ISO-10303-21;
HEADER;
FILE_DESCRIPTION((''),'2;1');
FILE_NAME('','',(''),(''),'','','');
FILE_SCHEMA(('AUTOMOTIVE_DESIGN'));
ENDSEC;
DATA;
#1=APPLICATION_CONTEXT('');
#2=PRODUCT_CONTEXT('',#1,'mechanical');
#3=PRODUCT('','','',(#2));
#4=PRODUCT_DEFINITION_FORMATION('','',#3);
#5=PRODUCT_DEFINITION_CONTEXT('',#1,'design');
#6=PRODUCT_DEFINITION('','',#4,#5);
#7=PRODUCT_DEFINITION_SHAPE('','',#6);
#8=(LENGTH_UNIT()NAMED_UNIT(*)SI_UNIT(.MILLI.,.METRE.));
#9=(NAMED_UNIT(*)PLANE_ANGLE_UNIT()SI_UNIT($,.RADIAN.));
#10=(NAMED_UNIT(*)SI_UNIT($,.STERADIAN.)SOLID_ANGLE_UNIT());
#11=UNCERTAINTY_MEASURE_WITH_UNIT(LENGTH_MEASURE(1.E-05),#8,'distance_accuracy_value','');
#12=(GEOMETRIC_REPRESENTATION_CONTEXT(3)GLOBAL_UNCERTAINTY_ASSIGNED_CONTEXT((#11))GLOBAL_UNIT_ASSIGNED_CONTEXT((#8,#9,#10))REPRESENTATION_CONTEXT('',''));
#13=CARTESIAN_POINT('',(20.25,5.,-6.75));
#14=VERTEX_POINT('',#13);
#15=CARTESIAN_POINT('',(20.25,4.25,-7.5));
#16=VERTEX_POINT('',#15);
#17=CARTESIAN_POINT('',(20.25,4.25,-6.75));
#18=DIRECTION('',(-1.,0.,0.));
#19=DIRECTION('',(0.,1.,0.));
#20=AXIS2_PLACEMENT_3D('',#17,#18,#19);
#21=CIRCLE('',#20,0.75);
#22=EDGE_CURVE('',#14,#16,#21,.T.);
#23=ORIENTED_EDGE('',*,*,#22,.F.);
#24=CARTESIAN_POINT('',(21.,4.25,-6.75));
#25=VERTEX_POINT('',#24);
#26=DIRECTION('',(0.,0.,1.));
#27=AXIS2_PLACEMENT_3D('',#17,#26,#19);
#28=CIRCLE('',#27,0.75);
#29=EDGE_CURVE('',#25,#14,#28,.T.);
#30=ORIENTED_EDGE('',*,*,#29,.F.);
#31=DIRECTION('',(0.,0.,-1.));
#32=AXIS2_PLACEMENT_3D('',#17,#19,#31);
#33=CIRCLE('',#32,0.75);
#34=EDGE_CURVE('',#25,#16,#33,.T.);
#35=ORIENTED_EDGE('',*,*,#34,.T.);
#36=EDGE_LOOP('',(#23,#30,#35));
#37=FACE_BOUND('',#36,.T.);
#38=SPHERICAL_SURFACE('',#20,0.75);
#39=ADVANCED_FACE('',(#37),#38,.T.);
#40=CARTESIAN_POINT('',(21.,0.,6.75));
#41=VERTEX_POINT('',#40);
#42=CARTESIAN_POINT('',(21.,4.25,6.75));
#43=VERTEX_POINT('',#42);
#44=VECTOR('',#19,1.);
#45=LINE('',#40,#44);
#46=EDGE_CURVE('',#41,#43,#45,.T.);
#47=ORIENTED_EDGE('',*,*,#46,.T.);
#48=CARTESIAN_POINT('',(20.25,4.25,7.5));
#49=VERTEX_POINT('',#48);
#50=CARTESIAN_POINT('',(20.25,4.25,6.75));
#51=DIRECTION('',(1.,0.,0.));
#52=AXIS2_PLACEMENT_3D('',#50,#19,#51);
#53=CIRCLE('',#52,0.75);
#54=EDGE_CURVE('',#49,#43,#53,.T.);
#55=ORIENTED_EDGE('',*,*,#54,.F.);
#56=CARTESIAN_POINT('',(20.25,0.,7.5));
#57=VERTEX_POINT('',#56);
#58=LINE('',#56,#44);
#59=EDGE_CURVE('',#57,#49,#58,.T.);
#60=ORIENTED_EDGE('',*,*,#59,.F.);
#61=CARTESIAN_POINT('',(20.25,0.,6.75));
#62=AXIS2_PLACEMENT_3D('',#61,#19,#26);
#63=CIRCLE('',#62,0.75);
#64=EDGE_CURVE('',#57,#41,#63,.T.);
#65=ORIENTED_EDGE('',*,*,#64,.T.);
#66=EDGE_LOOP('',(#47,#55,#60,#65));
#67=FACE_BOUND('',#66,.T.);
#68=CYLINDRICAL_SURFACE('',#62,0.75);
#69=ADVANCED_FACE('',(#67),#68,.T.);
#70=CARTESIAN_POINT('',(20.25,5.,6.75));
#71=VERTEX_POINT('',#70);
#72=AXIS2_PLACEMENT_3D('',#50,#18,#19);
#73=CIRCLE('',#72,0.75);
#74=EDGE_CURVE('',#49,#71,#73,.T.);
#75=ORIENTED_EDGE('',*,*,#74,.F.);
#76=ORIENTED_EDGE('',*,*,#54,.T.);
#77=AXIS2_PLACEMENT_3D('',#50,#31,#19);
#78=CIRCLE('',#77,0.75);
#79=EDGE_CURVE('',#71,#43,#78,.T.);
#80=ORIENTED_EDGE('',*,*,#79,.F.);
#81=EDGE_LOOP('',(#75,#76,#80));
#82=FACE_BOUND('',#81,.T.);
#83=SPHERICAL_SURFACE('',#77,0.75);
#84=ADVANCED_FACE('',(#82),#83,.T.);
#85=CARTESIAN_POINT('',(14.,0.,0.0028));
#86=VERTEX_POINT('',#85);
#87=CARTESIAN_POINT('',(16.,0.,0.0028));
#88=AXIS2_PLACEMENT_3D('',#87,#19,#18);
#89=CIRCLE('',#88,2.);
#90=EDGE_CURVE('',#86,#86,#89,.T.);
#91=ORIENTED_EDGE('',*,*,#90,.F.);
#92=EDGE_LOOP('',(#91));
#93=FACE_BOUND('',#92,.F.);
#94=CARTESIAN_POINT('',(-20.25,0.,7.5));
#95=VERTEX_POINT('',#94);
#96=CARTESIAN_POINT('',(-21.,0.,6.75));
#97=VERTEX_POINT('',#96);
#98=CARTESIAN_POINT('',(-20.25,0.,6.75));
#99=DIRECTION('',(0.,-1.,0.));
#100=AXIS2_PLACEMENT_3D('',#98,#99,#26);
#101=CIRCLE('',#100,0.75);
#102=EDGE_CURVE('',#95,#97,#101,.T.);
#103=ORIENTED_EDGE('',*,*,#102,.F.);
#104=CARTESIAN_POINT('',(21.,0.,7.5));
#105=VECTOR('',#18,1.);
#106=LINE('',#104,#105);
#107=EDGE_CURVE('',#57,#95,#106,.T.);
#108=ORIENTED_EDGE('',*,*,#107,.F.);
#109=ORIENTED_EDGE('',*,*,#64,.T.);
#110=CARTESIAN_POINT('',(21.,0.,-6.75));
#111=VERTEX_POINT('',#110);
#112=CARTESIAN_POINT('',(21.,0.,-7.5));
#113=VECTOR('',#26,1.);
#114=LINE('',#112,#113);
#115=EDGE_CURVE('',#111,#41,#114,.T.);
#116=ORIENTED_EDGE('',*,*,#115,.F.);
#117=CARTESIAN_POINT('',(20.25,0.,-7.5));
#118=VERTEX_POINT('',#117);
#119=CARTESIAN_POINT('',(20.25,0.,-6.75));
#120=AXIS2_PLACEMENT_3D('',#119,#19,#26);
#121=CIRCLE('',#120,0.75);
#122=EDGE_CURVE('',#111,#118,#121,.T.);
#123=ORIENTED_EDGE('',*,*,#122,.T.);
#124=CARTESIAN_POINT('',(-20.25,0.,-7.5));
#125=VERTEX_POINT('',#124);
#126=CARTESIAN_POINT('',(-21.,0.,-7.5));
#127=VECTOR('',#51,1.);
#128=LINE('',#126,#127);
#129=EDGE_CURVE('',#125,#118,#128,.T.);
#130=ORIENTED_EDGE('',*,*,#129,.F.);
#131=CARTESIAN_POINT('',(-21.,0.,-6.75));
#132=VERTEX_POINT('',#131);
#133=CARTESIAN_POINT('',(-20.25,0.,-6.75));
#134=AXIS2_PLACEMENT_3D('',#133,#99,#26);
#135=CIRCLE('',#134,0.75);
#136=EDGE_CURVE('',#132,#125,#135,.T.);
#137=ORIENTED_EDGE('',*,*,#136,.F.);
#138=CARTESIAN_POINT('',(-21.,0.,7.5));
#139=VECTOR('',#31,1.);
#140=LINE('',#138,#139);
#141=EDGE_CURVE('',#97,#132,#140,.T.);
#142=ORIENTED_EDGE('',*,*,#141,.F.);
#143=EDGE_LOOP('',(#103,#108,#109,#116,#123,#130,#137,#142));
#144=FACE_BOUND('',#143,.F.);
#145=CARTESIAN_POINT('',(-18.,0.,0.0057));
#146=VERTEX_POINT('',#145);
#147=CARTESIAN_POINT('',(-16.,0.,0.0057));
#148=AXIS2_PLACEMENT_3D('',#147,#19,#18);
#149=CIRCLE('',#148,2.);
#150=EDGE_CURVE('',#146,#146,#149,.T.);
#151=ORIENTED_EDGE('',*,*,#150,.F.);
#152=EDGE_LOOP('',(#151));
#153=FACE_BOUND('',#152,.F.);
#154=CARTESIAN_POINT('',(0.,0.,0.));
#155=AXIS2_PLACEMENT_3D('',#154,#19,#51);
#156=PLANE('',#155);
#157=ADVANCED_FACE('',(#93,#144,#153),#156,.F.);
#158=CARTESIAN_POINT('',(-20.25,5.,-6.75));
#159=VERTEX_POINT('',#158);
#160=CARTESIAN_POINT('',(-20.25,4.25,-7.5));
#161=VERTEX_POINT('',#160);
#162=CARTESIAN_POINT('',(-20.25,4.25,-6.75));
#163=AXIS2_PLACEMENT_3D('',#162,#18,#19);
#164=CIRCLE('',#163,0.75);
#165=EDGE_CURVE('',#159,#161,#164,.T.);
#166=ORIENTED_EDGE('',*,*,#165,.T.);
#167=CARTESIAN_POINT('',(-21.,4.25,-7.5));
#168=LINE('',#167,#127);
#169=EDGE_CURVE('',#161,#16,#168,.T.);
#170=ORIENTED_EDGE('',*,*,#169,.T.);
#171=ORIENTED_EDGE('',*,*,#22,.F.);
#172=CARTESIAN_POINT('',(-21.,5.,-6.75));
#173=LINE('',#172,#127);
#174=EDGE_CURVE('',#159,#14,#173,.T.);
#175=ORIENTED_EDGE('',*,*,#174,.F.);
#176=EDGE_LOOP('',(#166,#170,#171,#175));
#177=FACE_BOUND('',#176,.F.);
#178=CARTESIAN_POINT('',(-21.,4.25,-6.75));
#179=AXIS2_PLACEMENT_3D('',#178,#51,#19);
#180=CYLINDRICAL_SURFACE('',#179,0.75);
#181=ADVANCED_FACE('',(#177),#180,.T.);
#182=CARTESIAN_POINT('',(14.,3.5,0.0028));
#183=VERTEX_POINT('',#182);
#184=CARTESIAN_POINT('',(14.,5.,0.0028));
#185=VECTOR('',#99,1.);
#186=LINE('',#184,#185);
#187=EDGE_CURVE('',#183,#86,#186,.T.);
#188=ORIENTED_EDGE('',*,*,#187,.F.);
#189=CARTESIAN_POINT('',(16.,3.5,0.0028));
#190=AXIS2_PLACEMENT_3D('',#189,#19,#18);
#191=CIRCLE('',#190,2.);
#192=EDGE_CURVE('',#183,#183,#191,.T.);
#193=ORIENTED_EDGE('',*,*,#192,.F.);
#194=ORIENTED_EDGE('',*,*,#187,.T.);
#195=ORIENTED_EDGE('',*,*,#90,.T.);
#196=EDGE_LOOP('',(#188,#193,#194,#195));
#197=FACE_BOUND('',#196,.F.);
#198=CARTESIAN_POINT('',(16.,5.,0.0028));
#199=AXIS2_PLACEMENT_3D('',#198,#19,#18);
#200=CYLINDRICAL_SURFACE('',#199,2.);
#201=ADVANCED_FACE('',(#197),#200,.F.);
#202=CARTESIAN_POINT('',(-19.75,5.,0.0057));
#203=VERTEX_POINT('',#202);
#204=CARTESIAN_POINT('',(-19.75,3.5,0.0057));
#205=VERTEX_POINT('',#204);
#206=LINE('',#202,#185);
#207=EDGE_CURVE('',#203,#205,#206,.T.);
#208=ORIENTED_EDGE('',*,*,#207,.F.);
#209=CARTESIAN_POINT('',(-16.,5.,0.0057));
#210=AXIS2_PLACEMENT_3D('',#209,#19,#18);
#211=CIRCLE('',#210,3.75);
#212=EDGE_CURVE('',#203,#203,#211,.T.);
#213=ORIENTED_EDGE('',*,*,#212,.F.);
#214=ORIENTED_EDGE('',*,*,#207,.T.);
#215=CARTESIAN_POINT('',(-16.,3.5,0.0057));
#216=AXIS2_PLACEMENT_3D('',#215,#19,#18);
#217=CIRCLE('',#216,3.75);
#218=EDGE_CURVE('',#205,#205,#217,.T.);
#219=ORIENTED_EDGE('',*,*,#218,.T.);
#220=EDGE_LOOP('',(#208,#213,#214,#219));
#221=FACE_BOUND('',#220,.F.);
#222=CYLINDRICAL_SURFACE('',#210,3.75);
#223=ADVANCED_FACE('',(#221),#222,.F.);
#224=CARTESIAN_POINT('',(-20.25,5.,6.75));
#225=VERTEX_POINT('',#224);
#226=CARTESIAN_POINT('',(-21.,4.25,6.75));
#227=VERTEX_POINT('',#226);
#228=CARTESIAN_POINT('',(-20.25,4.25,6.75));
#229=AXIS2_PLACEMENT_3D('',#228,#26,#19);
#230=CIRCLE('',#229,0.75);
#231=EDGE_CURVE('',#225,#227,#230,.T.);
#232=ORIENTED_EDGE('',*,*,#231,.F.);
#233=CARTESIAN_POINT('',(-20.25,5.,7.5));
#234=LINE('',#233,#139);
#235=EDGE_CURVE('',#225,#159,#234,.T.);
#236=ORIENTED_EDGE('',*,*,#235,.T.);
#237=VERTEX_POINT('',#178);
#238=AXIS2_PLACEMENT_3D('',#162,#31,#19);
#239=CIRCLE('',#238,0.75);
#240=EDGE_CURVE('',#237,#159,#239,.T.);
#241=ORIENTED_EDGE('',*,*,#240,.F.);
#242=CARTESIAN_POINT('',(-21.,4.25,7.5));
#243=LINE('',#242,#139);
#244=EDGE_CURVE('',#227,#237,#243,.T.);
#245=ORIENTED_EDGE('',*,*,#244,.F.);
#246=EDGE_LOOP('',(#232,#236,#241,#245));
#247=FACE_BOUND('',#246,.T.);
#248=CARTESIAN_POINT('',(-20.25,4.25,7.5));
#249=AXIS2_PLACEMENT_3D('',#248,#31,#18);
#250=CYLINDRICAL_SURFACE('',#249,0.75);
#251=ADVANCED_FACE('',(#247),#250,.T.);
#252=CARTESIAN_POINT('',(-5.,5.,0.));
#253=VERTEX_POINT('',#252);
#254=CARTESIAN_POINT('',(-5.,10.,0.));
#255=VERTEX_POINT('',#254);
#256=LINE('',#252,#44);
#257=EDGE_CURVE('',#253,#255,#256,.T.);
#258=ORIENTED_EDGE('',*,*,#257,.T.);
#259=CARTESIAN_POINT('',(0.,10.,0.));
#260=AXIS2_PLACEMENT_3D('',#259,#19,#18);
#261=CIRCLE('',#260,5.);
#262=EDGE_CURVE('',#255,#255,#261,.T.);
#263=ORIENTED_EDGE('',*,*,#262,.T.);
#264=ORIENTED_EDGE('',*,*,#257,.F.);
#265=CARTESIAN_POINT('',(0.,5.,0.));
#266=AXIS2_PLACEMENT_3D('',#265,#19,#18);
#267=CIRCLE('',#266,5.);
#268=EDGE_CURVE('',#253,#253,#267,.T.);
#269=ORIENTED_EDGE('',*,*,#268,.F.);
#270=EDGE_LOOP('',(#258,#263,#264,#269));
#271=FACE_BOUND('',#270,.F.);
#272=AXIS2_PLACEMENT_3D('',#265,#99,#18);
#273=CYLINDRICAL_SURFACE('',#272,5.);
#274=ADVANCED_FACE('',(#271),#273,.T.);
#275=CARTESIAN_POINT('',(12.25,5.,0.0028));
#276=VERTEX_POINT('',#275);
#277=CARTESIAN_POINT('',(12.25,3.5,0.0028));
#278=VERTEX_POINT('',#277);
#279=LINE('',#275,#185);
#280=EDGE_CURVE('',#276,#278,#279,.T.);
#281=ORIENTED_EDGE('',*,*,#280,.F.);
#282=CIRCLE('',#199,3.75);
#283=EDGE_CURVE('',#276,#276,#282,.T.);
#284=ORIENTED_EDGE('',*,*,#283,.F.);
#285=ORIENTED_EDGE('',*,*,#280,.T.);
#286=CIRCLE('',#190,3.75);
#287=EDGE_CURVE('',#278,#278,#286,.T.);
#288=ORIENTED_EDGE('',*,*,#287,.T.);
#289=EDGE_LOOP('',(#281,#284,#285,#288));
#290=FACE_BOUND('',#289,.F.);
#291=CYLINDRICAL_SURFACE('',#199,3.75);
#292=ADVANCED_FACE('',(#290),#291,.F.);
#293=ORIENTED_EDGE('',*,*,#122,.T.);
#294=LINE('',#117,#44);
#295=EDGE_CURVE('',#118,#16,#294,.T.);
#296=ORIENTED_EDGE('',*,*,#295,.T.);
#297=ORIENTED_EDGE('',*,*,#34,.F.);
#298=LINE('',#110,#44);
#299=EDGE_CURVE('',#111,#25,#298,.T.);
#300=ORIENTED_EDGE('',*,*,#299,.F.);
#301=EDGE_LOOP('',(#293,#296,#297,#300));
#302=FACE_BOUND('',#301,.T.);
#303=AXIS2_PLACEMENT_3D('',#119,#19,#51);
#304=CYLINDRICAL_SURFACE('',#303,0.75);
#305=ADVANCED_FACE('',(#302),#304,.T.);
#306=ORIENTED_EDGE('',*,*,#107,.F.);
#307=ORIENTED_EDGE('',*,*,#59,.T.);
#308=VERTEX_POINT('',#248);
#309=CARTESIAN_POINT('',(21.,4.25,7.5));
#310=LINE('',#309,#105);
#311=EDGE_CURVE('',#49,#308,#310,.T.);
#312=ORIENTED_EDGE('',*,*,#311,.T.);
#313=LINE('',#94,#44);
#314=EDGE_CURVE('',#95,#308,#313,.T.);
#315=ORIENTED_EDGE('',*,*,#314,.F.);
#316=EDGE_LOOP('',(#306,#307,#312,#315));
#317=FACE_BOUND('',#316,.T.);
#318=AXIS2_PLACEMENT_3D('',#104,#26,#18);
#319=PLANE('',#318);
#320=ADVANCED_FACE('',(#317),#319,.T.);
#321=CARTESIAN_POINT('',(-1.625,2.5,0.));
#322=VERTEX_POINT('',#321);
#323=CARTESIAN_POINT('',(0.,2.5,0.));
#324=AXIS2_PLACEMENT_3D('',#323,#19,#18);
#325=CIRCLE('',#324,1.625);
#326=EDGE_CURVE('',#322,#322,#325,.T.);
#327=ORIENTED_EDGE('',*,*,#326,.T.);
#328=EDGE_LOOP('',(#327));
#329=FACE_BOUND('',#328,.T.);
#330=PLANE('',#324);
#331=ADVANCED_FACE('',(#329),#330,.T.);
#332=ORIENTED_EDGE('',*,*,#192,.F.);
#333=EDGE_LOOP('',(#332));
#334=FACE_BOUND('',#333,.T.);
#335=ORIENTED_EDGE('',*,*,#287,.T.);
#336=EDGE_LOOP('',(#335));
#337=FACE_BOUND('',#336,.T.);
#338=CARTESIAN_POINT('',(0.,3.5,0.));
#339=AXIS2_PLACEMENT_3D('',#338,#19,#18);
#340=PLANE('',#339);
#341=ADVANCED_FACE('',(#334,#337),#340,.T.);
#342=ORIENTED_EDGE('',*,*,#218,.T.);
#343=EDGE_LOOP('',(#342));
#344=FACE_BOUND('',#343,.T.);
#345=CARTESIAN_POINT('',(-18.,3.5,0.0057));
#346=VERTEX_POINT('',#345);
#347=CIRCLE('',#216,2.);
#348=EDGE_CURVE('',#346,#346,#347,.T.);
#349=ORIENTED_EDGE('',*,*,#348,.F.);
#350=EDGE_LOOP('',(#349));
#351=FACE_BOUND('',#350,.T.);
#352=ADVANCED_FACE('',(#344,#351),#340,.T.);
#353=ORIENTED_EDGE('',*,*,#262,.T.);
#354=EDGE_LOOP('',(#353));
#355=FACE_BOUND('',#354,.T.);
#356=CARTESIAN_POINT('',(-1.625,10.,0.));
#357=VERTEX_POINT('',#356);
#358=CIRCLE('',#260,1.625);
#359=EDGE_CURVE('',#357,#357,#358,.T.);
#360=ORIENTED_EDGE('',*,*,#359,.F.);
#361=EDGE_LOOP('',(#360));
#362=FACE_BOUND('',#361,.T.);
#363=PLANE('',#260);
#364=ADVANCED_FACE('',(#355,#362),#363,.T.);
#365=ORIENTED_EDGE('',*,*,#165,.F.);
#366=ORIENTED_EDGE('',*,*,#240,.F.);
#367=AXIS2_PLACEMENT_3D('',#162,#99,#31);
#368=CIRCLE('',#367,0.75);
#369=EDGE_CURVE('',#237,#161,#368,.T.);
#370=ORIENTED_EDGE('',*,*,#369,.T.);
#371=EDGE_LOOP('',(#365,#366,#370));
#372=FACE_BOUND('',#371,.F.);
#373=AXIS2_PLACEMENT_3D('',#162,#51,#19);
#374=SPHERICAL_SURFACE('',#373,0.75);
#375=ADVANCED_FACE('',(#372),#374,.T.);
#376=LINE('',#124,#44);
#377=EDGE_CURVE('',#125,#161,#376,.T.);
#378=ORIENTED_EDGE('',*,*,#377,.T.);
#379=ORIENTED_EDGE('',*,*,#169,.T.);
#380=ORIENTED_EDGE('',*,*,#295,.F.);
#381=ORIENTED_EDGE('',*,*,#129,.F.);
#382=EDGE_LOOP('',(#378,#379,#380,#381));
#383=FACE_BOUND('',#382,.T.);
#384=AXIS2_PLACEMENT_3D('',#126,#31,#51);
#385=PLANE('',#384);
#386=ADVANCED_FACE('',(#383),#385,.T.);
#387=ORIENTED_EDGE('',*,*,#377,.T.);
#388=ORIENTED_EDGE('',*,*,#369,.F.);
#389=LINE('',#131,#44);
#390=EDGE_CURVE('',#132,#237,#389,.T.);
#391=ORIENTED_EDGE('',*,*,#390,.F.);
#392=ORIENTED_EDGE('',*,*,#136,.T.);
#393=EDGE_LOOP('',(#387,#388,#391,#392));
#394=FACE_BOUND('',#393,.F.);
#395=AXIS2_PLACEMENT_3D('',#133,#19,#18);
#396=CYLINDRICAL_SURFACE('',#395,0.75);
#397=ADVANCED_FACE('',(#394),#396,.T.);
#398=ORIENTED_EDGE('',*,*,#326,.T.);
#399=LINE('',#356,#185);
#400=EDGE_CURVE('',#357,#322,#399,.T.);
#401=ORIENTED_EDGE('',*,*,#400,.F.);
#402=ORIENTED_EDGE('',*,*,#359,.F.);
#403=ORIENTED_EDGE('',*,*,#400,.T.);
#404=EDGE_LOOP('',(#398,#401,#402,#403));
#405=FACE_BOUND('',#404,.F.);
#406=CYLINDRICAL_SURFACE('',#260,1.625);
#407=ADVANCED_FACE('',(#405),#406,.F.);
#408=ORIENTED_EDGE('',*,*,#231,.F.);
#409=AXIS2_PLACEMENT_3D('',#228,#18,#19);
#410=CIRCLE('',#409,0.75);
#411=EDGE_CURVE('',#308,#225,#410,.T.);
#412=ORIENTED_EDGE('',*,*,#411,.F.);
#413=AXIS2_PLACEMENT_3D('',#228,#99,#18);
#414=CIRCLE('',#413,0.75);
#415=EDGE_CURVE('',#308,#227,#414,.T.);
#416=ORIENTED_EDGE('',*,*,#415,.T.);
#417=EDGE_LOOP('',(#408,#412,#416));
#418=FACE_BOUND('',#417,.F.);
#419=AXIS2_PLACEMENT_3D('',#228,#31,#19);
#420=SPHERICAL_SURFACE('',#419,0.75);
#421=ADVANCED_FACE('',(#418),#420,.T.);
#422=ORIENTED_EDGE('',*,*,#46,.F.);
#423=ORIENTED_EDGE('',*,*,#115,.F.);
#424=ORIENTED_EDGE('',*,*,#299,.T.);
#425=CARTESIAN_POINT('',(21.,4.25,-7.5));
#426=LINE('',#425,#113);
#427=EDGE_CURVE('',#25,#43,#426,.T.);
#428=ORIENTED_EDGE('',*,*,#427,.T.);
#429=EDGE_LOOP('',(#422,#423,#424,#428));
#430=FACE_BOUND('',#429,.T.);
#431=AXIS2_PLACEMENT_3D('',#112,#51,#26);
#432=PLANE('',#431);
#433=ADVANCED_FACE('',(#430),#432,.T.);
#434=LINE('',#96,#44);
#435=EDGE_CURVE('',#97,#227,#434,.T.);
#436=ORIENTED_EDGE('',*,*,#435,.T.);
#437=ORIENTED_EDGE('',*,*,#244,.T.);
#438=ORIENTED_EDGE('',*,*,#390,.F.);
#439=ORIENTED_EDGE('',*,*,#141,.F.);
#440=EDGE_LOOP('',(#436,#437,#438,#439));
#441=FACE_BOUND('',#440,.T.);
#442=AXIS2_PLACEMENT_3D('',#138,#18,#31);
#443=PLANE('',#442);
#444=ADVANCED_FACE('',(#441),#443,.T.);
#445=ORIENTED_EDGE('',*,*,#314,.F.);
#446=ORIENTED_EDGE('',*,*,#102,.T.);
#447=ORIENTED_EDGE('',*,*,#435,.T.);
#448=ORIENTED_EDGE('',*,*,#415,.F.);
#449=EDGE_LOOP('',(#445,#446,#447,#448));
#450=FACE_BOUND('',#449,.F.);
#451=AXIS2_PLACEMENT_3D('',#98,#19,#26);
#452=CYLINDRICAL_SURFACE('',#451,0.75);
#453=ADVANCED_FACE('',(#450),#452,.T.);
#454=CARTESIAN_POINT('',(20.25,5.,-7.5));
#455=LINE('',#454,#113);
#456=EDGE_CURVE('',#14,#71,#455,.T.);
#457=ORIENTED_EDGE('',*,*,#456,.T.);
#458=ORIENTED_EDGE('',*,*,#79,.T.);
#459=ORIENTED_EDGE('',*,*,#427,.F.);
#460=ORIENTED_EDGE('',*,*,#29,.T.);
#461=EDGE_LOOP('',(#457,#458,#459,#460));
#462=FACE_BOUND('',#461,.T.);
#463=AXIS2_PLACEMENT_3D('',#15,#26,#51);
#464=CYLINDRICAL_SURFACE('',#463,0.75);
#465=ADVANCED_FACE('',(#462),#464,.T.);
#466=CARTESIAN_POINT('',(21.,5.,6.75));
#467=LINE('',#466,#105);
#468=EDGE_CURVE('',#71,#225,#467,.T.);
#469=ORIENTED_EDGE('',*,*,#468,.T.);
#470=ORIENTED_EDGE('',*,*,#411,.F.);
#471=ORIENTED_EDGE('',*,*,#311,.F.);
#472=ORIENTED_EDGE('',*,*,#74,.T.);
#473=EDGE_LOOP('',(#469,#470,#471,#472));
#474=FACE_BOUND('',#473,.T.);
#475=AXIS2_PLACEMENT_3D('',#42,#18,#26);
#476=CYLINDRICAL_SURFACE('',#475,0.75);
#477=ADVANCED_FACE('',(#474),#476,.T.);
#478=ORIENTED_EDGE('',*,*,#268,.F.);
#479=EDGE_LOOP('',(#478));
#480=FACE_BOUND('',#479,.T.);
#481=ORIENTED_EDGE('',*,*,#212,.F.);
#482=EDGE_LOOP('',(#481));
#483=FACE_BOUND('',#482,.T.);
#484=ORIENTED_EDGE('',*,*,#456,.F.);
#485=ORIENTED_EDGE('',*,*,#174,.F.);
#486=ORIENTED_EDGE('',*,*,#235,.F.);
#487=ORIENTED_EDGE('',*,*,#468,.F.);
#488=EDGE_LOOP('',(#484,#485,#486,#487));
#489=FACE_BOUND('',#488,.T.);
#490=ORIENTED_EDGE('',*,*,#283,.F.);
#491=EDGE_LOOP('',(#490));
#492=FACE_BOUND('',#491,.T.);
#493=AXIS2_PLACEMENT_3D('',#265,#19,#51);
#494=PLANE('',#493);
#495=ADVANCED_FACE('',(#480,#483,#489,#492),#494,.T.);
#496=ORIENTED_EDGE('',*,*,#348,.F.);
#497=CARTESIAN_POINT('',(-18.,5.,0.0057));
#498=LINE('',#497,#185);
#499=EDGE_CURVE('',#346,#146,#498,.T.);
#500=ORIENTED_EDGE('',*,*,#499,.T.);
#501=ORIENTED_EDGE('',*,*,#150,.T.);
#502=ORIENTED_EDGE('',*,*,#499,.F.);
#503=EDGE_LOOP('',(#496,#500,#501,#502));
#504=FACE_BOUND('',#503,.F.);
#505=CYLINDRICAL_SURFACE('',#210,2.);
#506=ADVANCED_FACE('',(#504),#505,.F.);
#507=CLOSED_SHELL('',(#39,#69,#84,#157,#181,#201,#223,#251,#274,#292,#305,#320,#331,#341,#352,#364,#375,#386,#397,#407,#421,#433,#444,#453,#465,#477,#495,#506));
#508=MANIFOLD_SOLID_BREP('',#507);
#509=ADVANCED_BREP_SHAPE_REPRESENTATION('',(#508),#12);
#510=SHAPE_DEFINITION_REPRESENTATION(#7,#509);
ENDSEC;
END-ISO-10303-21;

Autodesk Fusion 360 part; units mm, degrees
sketch "Sketch1" plane through (0, 0, 0) normal (0, 1, 0) x (1, 0, 0)
  line L0 (21, -7.5) -> (-21, -7.5)
  line L1 (-21, -7.5) -> (-21, 7.5)
  line L2 (-21, 7.5) -> (21, 7.5)
  line L3 (21, 7.5) -> (21, -7.5)
  dimension "d1" = 42
  dimension "d2" = 15
  dimension "d3" = 7.5
  dimension "d4" = 21
extrude "Extrude1" add sketch "Sketch1" along normal blind 5
sketch "Sketch2" plane through (0, 5, 0) normal (0, 1, 0) x (-1, 0, 0)
  line L0 (-21, -7.5) -> (21, -7.5)
  line L1 (21, -7.5) -> (21, 7.5)
  line L2 (21, 7.5) -> (-21, 7.5)
  line L3 (-21, 7.5) -> (-21, -7.5)
  circle A0 centre (0, 0) radius 5
  dimension "d7" = 10
extrude "Extrude2" add sketch "Sketch2" along normal blind 5 contours A0
sketch "Sketch3" plane through (0, 10, 0) normal (0, 1, 0) x (-1, 0, 0)
  circle A0 centre (0, 0) radius 5
  circle A1 centre (0, 0) radius 1.625
  dimension "d10" = 3.25
extrude "Extrude6" cut sketch "Sketch3" against normal blind 7.5 contours A1
sketch "Sketch7" plane through (0, 5, 0) normal (0, 1, 0) x (-1, 0, 0)
  circle A0 centre (0, 0) radius 5
  line L0 (-21, -7.5) -> (21, -7.5)
  line L1 (21, -7.5) -> (21, 7.5)
  line L2 (21, 7.5) -> (-21, 7.5)
  line L3 (-21, 7.5) -> (-21, -7.5)
  circle A1 centre (16, 0.0057) radius 2
  circle A2 centre (-16, 0.0028) radius 2
  dimension "d23" = 32
  dimension "d24" = 16
  dimension "d25" = 4
  dimension "d26" = 4
extrude "Extrude7" cut sketch "Sketch7" against normal through all contours A1 | A2
fillet "Fillet1" radius 0.75 8 edges at (0, 5, -7.5) (-21, 5, 0) (21, 5, 0) (0, 5, 7.5) (-21, 2.5, 7.5) (21, 2.5, 7.5) (21, 2.5, -7.5) (-21, 2.5, -7.5)
sketch "Sketch8" plane through (0, 5, 0) normal (0, 1, 0) x (-1, 0, 0)
  circle A0 centre (16, 0.0057) radius 2
  circle A1 centre (-16, 0.0028) radius 2
  circle A2 centre (16, 0.0057) radius 3.75
  circle A3 centre (-16, 0.0028) radius 3.75
  dimension "d29" = 7.5
  dimension "d30" = 7.5
extrude "Extrude8" cut sketch "Sketch8" against normal blind 1.5
